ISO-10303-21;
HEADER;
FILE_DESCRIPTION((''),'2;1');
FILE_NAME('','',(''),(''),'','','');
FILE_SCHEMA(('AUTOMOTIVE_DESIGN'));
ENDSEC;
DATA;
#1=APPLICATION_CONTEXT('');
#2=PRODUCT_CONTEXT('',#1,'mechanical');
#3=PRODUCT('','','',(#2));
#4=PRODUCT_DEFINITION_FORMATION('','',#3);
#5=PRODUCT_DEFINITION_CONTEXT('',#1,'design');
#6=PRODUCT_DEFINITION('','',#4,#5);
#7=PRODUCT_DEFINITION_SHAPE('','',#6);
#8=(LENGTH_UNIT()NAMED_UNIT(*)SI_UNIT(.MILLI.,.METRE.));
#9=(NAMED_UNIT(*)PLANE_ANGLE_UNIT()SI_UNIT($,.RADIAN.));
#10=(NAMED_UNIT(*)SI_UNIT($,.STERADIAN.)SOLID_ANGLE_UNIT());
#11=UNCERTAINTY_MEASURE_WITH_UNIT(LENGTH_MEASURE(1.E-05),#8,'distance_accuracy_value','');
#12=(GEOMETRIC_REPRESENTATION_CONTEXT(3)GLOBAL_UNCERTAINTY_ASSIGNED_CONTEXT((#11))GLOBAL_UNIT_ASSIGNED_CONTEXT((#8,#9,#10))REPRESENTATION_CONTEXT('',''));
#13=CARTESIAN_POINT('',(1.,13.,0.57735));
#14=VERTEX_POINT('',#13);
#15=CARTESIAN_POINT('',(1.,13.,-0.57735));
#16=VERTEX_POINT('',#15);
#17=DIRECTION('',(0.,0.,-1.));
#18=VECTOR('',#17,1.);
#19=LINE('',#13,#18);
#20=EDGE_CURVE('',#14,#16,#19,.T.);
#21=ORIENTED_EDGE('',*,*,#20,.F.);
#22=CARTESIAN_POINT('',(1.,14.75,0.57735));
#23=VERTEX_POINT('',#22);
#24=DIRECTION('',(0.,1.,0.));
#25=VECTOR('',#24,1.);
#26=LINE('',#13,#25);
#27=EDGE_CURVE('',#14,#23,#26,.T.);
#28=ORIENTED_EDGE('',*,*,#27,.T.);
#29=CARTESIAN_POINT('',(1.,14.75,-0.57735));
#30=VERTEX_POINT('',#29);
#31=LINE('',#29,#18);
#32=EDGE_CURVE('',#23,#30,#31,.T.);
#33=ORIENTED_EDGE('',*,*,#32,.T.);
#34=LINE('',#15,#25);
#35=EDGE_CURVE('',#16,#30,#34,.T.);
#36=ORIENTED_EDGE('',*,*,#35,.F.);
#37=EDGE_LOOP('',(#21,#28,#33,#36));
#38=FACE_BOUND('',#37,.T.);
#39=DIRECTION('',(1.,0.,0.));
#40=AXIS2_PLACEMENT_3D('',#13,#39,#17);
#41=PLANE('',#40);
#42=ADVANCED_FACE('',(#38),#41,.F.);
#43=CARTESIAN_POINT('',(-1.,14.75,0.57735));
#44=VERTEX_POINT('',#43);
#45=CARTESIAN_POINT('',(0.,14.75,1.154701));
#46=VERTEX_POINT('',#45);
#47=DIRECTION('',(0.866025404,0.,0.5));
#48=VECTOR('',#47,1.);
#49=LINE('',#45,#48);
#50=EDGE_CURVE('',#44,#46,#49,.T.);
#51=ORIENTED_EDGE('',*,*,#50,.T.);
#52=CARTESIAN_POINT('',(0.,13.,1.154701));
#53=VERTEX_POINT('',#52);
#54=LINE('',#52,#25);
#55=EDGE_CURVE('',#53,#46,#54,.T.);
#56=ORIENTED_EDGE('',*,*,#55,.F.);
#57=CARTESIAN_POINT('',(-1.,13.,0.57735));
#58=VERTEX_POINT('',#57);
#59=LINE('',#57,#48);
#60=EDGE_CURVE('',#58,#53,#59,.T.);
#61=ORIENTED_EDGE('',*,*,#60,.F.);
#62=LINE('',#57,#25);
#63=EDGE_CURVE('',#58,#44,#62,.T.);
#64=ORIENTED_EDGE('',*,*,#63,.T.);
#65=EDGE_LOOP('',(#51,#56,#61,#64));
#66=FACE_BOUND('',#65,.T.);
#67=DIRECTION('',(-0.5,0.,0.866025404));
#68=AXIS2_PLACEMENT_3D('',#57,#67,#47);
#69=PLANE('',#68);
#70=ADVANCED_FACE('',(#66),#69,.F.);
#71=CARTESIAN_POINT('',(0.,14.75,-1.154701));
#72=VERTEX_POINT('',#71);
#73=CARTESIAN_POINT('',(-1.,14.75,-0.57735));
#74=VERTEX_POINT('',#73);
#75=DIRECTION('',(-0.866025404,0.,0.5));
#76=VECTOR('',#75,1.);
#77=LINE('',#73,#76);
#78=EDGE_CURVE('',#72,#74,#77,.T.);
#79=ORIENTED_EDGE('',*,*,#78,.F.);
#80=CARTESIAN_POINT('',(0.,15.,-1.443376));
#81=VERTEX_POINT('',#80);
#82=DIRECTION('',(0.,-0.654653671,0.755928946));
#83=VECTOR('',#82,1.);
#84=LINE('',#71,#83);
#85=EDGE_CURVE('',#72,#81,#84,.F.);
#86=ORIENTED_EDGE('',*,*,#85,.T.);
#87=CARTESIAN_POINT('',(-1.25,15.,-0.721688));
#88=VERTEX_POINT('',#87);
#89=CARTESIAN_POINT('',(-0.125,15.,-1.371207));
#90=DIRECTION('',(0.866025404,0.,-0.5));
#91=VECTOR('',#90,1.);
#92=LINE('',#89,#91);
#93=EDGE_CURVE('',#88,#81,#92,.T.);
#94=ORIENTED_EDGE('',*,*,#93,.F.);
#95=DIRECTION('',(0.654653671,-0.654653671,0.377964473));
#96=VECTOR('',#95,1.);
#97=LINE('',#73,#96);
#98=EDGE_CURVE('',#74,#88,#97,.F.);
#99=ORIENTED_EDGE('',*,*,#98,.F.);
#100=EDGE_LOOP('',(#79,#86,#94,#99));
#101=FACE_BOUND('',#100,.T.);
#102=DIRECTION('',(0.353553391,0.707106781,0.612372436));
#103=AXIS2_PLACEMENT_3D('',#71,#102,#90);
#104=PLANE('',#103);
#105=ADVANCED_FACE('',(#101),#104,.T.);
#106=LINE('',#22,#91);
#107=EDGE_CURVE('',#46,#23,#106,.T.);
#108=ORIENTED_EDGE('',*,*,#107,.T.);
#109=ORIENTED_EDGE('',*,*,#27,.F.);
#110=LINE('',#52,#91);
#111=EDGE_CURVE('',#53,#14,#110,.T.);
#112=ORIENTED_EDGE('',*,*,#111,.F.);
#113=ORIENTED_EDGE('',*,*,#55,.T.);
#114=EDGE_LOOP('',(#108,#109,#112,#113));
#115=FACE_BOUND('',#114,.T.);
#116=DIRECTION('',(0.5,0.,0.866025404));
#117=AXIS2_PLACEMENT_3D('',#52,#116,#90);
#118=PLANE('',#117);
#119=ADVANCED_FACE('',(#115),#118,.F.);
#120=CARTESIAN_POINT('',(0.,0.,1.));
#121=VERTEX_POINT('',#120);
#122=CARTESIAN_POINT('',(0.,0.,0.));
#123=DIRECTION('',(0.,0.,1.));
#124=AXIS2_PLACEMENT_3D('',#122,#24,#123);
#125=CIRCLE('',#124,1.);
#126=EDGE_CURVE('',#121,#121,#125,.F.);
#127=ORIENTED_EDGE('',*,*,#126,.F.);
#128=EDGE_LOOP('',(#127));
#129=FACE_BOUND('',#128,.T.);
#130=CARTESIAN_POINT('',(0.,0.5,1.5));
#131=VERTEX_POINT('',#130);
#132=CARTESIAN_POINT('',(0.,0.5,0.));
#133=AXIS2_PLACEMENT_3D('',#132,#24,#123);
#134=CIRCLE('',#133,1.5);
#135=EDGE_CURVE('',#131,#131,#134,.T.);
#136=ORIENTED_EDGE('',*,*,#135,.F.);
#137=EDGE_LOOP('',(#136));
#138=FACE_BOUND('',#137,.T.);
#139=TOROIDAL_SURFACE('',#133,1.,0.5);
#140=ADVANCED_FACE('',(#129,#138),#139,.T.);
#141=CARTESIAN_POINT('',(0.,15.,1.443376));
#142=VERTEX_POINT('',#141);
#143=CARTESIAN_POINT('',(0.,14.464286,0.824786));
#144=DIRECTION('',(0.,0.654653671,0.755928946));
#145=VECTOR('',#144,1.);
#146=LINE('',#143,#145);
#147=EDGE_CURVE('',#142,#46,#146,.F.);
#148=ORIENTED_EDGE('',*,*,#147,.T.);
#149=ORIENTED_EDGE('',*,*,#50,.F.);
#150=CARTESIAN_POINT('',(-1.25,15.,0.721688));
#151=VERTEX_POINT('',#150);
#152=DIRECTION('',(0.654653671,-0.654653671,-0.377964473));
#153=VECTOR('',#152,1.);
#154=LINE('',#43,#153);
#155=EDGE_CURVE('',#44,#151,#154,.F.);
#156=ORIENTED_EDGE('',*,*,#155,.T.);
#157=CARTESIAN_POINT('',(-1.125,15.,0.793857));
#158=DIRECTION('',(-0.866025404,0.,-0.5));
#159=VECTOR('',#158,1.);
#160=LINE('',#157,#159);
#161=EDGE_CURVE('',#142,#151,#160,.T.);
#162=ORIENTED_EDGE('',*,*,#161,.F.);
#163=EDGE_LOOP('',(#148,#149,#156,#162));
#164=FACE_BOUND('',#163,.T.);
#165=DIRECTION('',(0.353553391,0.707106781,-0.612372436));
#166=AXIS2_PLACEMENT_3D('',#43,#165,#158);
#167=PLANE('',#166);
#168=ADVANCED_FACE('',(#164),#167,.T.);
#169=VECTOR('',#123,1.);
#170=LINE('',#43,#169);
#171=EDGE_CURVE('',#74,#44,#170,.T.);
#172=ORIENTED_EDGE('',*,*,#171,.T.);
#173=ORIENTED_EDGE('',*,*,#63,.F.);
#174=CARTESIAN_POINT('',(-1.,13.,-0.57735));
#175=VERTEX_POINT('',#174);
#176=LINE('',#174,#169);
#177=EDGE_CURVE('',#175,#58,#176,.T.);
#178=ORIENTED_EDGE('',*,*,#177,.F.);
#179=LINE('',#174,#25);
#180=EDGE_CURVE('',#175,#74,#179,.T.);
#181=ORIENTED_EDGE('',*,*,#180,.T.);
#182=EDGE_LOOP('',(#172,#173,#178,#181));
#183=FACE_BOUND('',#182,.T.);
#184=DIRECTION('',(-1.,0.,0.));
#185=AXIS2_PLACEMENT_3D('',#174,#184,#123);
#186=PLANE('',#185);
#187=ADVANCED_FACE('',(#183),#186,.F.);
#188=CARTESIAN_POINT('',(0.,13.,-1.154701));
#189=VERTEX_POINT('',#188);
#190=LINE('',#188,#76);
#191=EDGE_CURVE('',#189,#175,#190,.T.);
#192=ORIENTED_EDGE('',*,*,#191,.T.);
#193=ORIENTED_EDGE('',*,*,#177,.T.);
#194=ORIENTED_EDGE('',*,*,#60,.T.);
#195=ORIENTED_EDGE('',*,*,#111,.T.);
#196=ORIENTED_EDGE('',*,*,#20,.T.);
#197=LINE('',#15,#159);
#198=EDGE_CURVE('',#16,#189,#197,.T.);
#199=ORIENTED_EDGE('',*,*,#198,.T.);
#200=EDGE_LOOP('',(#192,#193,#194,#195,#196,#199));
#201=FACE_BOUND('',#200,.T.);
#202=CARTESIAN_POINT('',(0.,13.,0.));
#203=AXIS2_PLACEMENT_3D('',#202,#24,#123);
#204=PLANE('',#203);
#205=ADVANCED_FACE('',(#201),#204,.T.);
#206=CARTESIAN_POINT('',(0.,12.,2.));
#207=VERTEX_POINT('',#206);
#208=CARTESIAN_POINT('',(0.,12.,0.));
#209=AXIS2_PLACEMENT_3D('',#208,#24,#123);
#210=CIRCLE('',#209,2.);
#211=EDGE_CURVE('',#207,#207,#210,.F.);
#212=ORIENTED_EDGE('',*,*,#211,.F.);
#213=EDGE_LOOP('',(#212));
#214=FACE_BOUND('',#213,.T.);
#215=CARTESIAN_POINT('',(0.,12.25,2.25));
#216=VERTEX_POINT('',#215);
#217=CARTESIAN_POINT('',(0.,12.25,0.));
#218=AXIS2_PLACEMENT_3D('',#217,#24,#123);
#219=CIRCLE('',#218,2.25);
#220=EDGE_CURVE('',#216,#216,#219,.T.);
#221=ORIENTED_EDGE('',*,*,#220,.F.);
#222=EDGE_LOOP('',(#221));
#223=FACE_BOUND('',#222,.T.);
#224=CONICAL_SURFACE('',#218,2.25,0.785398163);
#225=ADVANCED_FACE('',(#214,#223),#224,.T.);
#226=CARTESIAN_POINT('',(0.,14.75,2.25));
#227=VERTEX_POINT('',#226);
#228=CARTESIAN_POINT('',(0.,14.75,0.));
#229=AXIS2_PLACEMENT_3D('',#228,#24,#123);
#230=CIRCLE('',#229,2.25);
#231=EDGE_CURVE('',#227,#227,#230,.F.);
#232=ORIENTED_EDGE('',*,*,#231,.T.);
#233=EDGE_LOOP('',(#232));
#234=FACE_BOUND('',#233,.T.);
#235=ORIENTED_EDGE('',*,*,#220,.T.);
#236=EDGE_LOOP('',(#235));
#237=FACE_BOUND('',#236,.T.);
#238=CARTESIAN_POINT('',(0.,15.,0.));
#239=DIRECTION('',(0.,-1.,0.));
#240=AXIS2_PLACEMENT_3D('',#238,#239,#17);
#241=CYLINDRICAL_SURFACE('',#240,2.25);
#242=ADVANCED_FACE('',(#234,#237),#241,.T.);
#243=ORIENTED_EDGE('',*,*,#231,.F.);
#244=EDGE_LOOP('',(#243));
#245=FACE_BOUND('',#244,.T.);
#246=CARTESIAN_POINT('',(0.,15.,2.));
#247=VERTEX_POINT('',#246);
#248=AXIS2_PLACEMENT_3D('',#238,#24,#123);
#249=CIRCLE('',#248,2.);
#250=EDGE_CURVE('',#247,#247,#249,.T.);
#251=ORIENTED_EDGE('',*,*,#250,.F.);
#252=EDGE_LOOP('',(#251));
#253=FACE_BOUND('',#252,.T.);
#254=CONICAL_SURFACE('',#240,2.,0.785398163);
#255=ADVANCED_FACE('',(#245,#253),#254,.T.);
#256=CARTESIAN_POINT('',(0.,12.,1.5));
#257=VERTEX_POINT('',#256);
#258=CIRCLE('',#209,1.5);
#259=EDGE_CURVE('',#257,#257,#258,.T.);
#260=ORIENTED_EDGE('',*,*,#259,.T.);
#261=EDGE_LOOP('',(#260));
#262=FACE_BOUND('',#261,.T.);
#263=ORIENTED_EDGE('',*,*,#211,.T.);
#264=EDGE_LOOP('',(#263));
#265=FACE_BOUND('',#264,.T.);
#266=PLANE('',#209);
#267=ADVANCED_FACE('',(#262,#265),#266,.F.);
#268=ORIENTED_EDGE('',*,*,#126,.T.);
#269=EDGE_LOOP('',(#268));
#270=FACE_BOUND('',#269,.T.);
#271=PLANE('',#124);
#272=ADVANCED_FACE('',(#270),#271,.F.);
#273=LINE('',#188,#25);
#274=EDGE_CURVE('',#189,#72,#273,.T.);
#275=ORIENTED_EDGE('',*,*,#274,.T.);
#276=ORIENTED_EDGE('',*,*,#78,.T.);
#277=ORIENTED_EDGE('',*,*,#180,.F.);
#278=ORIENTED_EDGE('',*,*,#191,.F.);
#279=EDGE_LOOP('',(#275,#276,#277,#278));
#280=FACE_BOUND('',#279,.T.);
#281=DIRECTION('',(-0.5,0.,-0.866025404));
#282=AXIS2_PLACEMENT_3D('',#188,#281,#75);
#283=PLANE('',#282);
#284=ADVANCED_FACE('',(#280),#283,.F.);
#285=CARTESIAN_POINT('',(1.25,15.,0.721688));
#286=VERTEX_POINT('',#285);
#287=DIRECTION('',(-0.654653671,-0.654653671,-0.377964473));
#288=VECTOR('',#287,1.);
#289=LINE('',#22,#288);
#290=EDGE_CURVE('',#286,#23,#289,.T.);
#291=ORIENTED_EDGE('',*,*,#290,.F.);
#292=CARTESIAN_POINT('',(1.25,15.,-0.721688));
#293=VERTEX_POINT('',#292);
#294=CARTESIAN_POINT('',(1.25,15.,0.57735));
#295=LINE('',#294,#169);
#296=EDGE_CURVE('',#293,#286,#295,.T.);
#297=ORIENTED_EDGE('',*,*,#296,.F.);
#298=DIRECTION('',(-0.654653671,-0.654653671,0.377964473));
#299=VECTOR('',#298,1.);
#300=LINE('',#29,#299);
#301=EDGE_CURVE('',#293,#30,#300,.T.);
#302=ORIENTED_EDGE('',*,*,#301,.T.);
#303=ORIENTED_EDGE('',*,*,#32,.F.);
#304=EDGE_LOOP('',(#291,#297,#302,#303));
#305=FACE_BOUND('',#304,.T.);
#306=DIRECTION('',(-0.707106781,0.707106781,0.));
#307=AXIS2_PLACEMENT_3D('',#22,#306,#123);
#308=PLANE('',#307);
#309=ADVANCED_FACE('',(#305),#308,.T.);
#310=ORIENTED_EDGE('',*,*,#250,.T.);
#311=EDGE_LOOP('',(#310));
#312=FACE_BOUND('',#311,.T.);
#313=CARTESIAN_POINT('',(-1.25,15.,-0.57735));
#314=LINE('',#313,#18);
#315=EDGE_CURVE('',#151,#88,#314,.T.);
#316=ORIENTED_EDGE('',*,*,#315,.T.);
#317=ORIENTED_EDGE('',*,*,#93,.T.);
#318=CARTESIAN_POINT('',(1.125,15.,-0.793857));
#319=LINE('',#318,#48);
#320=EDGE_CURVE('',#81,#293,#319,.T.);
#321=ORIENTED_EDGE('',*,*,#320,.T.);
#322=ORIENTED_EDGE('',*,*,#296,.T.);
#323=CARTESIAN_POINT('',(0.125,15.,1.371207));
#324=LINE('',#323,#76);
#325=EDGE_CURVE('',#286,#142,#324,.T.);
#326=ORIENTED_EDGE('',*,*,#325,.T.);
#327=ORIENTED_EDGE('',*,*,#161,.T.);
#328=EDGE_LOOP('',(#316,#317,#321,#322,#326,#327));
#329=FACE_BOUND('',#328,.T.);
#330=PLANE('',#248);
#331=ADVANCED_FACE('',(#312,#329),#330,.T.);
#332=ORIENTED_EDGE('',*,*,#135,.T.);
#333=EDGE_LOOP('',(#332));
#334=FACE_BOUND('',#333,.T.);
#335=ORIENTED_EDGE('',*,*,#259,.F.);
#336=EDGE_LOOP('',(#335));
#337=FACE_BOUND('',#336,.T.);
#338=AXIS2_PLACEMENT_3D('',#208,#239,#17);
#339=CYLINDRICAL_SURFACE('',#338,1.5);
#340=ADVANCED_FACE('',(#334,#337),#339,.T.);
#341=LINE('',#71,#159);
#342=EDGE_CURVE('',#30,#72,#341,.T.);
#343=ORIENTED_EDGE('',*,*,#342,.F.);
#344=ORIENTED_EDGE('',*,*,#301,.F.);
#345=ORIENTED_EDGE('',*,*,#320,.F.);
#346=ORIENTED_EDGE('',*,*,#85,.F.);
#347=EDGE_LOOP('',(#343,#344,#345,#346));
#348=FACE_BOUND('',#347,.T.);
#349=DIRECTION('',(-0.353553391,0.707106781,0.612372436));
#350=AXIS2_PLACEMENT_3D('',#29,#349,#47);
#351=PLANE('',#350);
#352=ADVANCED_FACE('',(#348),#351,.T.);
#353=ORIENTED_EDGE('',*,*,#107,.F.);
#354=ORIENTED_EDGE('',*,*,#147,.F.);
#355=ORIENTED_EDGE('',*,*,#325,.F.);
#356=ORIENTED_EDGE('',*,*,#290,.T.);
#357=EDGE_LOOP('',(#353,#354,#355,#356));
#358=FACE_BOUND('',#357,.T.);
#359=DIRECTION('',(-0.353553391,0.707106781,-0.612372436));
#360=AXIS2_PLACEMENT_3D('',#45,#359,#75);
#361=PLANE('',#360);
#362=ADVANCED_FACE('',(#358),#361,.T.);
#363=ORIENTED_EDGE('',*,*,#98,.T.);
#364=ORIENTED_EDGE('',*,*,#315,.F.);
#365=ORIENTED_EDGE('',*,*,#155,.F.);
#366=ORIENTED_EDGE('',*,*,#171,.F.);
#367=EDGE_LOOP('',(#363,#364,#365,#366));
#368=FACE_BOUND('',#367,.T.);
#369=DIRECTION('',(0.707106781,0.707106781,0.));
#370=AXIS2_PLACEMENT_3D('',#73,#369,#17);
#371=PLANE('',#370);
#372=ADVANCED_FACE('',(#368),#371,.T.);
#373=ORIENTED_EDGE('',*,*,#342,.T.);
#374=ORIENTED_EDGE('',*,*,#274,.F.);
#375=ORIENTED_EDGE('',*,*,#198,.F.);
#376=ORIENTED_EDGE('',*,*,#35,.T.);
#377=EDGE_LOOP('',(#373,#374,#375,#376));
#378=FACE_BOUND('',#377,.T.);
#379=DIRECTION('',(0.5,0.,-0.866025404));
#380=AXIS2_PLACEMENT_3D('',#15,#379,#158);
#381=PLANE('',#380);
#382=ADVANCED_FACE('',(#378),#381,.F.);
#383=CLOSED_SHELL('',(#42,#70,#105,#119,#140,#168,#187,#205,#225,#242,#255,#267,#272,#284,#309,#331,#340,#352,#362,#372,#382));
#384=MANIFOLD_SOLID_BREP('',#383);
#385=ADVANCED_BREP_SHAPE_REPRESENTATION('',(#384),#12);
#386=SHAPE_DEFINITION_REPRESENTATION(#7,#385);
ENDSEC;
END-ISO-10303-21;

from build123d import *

# Parameters (mm, degrees)
SKETCH1_R           = 1.5
BOSS_EXTRUDE1_DEPTH = 12
SKETCH2_R           = 2.25
BOSS_EXTRUDE2_DEPTH = 3
CUT_EXTRUDE1_DEPTH  = 2
CHAMFER1_SIZE       = 0.25
FILLET1_R           = 0.5


with BuildPart() as part:
    # Sketch1 → Boss-Extrude1 (new body)
    with BuildSketch(Plane(origin=(0, 0, 0), x_dir=(1, 0, 0), z_dir=(0, 1, 0))):
        with Locations(Location((0, 0, 0), (0, 0, 270))):
            Circle(SKETCH1_R)
    extrude(amount=BOSS_EXTRUDE1_DEPTH)

    # Sketch2 → Boss-Extrude2 (add)
    with BuildSketch(Plane(origin=(0, 12, 0), x_dir=(1, 0, 0), z_dir=(0, 1, 0))):
        with Locations(Location((0, 0, 0), (0, 0, 270))):
            Circle(SKETCH2_R)
    extrude(amount=BOSS_EXTRUDE2_DEPTH)

    # Sketch3 → Cut-Extrude1 (cut)
    with BuildSketch(Plane(origin=(0, 15, 0), x_dir=(1, 0, 0), z_dir=(0, 1, 0))):
        Polygon((0, 1.154700538), (-1, 0.577350269), (-1, -0.577350269), (0, -1.154700538), (1, -0.577350269), (1, 0.577350269), align=None)
    extrude(amount=-CUT_EXTRUDE1_DEPTH, mode=Mode.SUBTRACT)

    # Chamfer1
    chamfer1_edges = [part.edges().sort_by_distance(p)[0] for p in [
        (0.5, 15, -0.866025404),
        (-0.5, 15, -0.866025404),
        (-1, 15, 0),
        (-0.5, 15, 0.866025404),
        (0.5, 15, 0.866025404),
        (1, 15, 0),
        (0, 12, -2.25),
        (0, 15, -2.25),
    ]]
    chamfer(chamfer1_edges, length=CHAMFER1_SIZE)

    # Fillet1
    fillet1_edges = [part.edges().sort_by_distance(p)[0] for p in [
        (0, 0, -1.5),
    ]]
    fillet(fillet1_edges, radius=FILLET1_R)


solid = part.part
